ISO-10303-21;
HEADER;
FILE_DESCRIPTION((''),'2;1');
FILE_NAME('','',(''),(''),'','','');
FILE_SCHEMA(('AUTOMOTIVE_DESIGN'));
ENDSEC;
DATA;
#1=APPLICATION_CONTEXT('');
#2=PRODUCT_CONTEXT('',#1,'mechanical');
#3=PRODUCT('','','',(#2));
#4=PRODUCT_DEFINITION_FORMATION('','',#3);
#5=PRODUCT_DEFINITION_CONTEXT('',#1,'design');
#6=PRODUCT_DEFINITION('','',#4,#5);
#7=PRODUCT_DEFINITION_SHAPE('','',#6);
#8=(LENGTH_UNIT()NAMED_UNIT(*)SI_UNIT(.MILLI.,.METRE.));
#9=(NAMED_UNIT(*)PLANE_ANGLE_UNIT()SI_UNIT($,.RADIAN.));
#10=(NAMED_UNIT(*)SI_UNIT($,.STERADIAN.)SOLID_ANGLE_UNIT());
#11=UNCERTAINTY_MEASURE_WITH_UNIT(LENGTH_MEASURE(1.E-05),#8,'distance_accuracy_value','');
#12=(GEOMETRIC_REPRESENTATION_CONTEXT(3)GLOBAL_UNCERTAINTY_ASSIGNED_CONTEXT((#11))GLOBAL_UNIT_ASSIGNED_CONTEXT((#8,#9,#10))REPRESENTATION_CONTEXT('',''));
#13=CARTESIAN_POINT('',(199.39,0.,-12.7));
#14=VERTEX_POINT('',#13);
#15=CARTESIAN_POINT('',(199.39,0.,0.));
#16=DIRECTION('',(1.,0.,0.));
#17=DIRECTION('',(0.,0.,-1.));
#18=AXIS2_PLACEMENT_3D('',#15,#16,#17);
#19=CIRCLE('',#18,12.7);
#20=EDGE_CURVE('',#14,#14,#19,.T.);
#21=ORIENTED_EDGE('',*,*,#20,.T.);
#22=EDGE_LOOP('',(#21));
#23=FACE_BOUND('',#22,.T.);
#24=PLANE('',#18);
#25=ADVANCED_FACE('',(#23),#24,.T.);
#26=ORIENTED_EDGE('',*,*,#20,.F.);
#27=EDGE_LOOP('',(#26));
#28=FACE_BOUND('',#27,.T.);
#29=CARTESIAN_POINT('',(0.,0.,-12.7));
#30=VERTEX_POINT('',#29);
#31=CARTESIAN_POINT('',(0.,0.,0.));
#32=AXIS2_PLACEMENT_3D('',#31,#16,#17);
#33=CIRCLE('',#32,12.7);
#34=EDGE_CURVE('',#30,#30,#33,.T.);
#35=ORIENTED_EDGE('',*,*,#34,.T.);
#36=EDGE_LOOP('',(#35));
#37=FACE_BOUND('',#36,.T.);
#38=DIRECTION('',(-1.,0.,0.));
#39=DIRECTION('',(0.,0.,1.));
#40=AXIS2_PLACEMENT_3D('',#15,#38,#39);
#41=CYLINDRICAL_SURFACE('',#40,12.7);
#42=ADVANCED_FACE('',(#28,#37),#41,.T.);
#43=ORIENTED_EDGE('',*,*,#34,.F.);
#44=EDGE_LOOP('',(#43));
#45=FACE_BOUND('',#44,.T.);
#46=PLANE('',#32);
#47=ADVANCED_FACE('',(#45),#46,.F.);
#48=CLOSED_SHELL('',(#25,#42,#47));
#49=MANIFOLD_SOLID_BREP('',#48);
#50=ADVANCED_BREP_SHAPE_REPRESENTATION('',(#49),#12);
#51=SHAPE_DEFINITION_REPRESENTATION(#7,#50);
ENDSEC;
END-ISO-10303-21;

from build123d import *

# Parameters (mm, degrees)
SKETCH2_R           = 12.7
BOSS_EXTRUDE1_DEPTH = 199.39


with BuildPart() as part:
    # Sketch2 → Boss-Extrude1 (new body)
    with BuildSketch(Plane.YZ):
        with Locations(Location((0, 0, 0), (0, 0, 270))):
            Circle(SKETCH2_R)
    extrude(amount=BOSS_EXTRUDE1_DEPTH)


solid = part.part
